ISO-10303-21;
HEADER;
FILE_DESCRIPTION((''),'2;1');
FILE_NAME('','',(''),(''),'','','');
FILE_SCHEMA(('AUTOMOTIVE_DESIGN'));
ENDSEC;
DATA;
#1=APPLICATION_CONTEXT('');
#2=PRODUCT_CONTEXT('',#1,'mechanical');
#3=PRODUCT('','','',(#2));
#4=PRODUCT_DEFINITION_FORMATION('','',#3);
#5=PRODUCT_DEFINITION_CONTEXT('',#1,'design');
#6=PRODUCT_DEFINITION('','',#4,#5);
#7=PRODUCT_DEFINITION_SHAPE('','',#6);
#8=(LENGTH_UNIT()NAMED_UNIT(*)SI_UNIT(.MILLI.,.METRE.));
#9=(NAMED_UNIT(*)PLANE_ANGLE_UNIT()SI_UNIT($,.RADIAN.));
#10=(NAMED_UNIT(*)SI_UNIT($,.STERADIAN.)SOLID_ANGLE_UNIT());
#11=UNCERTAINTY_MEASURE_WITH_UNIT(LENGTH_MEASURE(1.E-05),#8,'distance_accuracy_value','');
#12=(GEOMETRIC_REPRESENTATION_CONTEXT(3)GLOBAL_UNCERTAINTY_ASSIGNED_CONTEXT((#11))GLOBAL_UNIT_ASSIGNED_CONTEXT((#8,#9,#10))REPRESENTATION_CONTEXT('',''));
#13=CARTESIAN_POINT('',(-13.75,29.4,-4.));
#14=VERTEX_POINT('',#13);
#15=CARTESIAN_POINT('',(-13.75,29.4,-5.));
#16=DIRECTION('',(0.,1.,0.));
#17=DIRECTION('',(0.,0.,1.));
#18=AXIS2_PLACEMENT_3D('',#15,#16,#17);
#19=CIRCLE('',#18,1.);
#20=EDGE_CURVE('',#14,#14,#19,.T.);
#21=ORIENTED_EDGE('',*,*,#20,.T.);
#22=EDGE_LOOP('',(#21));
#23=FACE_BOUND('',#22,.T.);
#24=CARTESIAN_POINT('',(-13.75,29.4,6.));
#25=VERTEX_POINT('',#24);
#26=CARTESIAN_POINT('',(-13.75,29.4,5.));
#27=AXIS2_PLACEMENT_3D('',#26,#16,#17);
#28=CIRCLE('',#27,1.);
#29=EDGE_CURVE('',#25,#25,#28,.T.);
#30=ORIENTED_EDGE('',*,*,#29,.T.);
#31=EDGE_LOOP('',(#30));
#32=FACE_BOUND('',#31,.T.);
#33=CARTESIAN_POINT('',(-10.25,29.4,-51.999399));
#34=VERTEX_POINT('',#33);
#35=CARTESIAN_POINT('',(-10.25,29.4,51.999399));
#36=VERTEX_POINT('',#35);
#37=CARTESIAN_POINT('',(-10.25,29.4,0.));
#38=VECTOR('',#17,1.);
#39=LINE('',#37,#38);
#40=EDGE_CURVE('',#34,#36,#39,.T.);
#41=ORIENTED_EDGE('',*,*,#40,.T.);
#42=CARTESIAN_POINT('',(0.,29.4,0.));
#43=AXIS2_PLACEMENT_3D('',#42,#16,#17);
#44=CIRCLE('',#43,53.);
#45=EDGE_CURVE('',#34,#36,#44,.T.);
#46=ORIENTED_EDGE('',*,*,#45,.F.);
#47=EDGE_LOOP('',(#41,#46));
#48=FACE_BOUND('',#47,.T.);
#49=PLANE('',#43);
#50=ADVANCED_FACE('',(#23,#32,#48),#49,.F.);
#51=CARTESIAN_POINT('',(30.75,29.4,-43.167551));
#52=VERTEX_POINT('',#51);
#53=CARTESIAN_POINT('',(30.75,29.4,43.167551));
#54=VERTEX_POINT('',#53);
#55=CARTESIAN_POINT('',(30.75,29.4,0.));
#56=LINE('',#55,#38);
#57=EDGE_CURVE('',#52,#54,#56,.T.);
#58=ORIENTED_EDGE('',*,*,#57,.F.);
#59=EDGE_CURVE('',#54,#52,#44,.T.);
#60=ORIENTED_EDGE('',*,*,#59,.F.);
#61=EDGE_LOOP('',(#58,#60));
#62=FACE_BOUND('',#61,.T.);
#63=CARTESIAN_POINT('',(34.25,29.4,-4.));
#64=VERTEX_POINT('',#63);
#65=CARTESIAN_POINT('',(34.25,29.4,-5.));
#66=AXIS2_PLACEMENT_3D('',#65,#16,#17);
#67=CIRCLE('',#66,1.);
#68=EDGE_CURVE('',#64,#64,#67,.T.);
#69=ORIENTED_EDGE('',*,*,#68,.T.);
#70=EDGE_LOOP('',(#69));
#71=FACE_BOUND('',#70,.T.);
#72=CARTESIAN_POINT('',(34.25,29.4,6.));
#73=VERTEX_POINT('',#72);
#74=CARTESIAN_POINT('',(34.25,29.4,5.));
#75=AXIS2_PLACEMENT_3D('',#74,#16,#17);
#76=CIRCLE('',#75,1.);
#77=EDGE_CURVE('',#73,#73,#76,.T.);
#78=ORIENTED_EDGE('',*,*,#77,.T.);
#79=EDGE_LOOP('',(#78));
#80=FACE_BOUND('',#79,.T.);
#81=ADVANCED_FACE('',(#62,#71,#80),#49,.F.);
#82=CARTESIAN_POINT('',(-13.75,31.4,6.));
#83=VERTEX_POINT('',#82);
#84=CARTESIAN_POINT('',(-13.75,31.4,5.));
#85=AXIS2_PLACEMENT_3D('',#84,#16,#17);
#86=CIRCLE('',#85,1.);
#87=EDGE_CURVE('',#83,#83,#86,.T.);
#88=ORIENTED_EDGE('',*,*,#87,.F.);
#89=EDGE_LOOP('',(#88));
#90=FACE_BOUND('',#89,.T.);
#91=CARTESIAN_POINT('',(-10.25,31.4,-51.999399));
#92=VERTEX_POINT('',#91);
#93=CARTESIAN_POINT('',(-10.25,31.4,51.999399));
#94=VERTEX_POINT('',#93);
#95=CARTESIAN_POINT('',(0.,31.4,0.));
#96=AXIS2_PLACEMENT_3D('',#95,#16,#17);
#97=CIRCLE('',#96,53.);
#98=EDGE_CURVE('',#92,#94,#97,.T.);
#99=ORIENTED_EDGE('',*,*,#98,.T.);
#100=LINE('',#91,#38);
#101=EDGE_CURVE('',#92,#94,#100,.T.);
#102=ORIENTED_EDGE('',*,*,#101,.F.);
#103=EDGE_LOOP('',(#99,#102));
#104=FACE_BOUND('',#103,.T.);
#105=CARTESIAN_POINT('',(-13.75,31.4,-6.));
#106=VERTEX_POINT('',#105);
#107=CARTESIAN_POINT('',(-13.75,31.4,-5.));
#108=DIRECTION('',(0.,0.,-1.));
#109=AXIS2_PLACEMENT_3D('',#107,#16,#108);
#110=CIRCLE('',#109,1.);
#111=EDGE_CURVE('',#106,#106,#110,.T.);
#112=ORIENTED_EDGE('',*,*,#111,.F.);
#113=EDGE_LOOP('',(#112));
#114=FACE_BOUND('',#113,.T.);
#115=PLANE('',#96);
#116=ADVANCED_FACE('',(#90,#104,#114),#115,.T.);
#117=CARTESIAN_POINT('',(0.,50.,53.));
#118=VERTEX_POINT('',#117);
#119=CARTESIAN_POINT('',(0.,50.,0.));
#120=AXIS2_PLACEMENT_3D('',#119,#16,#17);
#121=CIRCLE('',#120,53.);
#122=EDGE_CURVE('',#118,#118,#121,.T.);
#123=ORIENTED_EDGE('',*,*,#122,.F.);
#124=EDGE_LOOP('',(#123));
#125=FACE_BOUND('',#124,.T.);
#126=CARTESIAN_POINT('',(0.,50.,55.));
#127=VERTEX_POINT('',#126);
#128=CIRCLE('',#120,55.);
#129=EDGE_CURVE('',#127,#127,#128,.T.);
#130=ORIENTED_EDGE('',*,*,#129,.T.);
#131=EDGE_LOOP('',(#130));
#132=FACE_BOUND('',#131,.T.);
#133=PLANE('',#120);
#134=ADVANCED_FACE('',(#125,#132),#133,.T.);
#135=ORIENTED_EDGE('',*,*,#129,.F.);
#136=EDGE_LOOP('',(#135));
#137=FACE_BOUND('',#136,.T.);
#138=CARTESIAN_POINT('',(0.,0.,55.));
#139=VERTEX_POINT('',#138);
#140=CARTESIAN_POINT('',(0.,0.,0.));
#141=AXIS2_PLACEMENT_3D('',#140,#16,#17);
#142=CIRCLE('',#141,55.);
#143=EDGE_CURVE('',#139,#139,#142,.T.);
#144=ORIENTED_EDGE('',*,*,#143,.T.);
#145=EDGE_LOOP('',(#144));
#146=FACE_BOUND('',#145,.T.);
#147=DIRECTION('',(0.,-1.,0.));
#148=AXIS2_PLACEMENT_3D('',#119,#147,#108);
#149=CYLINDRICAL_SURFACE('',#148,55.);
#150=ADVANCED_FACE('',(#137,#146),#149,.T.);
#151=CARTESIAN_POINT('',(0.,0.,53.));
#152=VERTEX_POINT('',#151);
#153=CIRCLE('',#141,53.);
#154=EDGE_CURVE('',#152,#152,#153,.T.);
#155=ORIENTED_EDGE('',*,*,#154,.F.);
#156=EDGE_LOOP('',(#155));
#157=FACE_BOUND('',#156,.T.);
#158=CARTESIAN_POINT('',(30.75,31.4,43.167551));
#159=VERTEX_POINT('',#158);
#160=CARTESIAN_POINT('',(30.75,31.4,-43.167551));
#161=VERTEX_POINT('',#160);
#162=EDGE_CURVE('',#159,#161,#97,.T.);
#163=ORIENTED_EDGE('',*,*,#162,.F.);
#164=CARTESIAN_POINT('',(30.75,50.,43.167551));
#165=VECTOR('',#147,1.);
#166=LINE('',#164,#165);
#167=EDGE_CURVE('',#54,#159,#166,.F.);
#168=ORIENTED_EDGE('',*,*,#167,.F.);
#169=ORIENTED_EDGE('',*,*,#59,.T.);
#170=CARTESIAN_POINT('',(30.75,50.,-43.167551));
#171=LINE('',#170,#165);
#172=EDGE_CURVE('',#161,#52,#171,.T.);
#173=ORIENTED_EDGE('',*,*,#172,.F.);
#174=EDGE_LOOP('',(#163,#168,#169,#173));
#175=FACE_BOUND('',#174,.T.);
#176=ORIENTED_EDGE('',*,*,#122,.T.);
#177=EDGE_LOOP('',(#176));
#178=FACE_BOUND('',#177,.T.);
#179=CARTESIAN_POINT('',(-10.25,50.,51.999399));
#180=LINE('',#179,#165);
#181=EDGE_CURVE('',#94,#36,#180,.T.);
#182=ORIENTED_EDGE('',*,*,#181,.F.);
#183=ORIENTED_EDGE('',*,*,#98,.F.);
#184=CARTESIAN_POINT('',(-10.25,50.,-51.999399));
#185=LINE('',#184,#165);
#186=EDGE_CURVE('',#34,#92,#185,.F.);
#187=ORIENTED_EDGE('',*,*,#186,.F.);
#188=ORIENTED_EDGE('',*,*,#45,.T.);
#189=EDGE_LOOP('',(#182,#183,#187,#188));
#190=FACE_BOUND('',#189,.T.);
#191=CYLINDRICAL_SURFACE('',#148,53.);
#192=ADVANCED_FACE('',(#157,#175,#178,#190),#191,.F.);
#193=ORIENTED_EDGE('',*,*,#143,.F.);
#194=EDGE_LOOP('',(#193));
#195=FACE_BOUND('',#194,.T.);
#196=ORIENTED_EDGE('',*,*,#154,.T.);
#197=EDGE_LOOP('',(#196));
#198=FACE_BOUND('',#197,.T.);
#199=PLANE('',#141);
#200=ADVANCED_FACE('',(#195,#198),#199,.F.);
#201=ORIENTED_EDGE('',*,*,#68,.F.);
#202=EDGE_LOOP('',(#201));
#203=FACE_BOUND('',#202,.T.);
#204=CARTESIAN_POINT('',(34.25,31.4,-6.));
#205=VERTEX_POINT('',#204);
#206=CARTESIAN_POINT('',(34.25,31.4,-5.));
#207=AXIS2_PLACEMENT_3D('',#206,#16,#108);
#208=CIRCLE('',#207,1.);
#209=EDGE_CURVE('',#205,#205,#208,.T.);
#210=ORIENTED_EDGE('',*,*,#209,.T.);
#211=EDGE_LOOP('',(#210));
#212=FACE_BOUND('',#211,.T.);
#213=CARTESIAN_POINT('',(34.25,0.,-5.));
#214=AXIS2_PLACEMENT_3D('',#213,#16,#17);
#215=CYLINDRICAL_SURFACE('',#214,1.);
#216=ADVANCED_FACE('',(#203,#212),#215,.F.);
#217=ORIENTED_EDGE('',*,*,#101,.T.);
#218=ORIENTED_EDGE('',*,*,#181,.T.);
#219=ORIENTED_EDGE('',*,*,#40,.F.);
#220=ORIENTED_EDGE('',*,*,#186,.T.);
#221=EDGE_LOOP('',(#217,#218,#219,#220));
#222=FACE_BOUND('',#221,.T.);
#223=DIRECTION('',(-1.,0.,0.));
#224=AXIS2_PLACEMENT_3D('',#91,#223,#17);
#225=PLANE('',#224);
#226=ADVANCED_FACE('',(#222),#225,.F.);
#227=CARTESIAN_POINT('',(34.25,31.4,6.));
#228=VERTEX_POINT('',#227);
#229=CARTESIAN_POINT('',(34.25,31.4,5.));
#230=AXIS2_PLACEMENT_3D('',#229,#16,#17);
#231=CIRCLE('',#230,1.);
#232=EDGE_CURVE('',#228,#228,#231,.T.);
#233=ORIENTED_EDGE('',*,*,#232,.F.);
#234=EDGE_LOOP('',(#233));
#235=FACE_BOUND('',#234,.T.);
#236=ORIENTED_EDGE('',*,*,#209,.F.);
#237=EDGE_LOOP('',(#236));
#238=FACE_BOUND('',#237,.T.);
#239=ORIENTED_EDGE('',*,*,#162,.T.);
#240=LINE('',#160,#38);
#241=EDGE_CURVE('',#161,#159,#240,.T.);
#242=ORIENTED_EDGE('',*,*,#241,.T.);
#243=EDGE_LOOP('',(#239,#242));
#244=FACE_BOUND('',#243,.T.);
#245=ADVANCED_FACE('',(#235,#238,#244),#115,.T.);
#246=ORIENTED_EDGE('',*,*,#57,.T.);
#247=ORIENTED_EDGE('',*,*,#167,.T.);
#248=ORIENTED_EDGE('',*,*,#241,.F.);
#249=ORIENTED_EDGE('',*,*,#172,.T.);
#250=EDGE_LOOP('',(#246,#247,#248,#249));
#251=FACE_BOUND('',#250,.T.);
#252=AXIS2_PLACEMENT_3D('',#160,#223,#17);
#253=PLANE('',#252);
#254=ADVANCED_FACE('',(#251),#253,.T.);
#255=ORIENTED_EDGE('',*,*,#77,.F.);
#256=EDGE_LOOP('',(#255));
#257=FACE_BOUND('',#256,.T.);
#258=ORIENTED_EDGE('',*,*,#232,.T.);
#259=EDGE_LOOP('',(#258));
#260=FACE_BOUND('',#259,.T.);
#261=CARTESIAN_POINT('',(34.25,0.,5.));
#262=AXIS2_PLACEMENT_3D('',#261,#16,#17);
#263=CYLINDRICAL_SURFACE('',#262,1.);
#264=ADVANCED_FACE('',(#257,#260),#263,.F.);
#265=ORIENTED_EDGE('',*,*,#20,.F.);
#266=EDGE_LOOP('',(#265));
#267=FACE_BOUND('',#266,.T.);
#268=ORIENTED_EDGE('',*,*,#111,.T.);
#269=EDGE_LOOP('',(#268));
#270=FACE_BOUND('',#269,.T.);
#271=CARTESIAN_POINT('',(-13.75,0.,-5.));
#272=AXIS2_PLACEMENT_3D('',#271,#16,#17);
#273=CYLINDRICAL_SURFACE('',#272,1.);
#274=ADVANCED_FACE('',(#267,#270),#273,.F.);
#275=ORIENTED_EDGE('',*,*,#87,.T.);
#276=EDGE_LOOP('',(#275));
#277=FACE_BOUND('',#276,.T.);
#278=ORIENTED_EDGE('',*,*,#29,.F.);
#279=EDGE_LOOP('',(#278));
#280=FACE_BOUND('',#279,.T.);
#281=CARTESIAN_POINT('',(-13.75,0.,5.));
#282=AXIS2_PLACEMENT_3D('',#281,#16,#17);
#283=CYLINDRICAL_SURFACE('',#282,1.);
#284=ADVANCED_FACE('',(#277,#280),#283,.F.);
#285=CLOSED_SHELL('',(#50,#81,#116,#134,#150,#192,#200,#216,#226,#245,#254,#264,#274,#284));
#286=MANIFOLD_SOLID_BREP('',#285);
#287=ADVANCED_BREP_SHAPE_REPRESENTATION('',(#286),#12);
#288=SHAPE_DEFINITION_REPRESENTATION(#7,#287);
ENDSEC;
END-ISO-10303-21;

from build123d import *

# Parameters (mm, degrees)
SKETCH1_R           = 55
SKETCH1_R_2         = 53
BOSS_EXTRUDE1_DEPTH = 50
RIB7_REACH          = 85.881
SKETCH2_WALL_W      = 256.096361878
SKETCH2_WALL_H      = 2
RIB8_REACH          = 85.881
SKETCH5_WALL_W      = 103.99879807
SKETCH5_WALL_H      = 2
SKETCH6_R           = 1
CUT_EXTRUDE1_DEPTH  = 84.880629468


with BuildPart() as part:
    # Sketch1 → Boss-Extrude1 (new body)
    with BuildSketch(Plane(origin=(0, 0, 0), x_dir=(1, 0, 0), z_dir=(0, 1, 0))):
        with Locations(Location((0, 0, 0), (0, 0, 270))):
            Circle(SKETCH1_R)
        with Locations(Location((0, 0, 0), (0, 0, 270))):
            Circle(SKETCH1_R_2, mode=Mode.SUBTRACT)
    extrude(amount=BOSS_EXTRUDE1_DEPTH)

    # Sketch2 wall → Rib7 (add, up to next)
    with BuildSketch(Plane(origin=(30.75, 31.4, 0), x_dir=(0, 0, 1), z_dir=(1, 0, 0)), mode=Mode.PRIVATE) as rib7_sk1:
        with Locations((0, 1)):
            Rectangle(SKETCH2_WALL_W, SKETCH2_WALL_H)
    rib7_tool1 = extrude(rib7_sk1.sketch, amount=RIB7_REACH, mode=Mode.PRIVATE) - part.part
    add(rib7_tool1.solids().sort_by_distance((30.75, 31.4, 0))[0])

    # Sketch5 wall → Rib8 (add, up to next)
    with BuildSketch(Plane(origin=(-10.25, 31.4, 0), x_dir=(0, 0, 1), z_dir=(1, 0, 0)), mode=Mode.PRIVATE) as rib8_sk1:
        with Locations((0, 1)):
            Rectangle(SKETCH5_WALL_W, SKETCH5_WALL_H)
    rib8_tool1 = extrude(rib8_sk1.sketch, amount=-RIB8_REACH, mode=Mode.PRIVATE) - part.part
    add(rib8_tool1.solids().sort_by_distance((-10.25, 31.4, 0))[0])

    # Sketch6 → Cut-Extrude1 (cut, through all)
    with BuildSketch(Plane(origin=(0, 31.4, 0), x_dir=(1, 0, 0), z_dir=(0, 1, 0))):
        with Locations(Location((-13.75, -5, 0), (0, 0, 270))):
            Circle(SKETCH6_R)
        with Locations(Location((34.25, -5, 0), (0, 0, 270))):
            Circle(SKETCH6_R)
        with Locations(Location((34.25, 5, 0), (0, 0, 270))):
            Circle(SKETCH6_R)
        with Locations(Location((-13.75, 5, 0), (0, 0, 270))):
            Circle(SKETCH6_R)
    extrude(amount=-CUT_EXTRUDE1_DEPTH, mode=Mode.SUBTRACT)


solid = part.part
